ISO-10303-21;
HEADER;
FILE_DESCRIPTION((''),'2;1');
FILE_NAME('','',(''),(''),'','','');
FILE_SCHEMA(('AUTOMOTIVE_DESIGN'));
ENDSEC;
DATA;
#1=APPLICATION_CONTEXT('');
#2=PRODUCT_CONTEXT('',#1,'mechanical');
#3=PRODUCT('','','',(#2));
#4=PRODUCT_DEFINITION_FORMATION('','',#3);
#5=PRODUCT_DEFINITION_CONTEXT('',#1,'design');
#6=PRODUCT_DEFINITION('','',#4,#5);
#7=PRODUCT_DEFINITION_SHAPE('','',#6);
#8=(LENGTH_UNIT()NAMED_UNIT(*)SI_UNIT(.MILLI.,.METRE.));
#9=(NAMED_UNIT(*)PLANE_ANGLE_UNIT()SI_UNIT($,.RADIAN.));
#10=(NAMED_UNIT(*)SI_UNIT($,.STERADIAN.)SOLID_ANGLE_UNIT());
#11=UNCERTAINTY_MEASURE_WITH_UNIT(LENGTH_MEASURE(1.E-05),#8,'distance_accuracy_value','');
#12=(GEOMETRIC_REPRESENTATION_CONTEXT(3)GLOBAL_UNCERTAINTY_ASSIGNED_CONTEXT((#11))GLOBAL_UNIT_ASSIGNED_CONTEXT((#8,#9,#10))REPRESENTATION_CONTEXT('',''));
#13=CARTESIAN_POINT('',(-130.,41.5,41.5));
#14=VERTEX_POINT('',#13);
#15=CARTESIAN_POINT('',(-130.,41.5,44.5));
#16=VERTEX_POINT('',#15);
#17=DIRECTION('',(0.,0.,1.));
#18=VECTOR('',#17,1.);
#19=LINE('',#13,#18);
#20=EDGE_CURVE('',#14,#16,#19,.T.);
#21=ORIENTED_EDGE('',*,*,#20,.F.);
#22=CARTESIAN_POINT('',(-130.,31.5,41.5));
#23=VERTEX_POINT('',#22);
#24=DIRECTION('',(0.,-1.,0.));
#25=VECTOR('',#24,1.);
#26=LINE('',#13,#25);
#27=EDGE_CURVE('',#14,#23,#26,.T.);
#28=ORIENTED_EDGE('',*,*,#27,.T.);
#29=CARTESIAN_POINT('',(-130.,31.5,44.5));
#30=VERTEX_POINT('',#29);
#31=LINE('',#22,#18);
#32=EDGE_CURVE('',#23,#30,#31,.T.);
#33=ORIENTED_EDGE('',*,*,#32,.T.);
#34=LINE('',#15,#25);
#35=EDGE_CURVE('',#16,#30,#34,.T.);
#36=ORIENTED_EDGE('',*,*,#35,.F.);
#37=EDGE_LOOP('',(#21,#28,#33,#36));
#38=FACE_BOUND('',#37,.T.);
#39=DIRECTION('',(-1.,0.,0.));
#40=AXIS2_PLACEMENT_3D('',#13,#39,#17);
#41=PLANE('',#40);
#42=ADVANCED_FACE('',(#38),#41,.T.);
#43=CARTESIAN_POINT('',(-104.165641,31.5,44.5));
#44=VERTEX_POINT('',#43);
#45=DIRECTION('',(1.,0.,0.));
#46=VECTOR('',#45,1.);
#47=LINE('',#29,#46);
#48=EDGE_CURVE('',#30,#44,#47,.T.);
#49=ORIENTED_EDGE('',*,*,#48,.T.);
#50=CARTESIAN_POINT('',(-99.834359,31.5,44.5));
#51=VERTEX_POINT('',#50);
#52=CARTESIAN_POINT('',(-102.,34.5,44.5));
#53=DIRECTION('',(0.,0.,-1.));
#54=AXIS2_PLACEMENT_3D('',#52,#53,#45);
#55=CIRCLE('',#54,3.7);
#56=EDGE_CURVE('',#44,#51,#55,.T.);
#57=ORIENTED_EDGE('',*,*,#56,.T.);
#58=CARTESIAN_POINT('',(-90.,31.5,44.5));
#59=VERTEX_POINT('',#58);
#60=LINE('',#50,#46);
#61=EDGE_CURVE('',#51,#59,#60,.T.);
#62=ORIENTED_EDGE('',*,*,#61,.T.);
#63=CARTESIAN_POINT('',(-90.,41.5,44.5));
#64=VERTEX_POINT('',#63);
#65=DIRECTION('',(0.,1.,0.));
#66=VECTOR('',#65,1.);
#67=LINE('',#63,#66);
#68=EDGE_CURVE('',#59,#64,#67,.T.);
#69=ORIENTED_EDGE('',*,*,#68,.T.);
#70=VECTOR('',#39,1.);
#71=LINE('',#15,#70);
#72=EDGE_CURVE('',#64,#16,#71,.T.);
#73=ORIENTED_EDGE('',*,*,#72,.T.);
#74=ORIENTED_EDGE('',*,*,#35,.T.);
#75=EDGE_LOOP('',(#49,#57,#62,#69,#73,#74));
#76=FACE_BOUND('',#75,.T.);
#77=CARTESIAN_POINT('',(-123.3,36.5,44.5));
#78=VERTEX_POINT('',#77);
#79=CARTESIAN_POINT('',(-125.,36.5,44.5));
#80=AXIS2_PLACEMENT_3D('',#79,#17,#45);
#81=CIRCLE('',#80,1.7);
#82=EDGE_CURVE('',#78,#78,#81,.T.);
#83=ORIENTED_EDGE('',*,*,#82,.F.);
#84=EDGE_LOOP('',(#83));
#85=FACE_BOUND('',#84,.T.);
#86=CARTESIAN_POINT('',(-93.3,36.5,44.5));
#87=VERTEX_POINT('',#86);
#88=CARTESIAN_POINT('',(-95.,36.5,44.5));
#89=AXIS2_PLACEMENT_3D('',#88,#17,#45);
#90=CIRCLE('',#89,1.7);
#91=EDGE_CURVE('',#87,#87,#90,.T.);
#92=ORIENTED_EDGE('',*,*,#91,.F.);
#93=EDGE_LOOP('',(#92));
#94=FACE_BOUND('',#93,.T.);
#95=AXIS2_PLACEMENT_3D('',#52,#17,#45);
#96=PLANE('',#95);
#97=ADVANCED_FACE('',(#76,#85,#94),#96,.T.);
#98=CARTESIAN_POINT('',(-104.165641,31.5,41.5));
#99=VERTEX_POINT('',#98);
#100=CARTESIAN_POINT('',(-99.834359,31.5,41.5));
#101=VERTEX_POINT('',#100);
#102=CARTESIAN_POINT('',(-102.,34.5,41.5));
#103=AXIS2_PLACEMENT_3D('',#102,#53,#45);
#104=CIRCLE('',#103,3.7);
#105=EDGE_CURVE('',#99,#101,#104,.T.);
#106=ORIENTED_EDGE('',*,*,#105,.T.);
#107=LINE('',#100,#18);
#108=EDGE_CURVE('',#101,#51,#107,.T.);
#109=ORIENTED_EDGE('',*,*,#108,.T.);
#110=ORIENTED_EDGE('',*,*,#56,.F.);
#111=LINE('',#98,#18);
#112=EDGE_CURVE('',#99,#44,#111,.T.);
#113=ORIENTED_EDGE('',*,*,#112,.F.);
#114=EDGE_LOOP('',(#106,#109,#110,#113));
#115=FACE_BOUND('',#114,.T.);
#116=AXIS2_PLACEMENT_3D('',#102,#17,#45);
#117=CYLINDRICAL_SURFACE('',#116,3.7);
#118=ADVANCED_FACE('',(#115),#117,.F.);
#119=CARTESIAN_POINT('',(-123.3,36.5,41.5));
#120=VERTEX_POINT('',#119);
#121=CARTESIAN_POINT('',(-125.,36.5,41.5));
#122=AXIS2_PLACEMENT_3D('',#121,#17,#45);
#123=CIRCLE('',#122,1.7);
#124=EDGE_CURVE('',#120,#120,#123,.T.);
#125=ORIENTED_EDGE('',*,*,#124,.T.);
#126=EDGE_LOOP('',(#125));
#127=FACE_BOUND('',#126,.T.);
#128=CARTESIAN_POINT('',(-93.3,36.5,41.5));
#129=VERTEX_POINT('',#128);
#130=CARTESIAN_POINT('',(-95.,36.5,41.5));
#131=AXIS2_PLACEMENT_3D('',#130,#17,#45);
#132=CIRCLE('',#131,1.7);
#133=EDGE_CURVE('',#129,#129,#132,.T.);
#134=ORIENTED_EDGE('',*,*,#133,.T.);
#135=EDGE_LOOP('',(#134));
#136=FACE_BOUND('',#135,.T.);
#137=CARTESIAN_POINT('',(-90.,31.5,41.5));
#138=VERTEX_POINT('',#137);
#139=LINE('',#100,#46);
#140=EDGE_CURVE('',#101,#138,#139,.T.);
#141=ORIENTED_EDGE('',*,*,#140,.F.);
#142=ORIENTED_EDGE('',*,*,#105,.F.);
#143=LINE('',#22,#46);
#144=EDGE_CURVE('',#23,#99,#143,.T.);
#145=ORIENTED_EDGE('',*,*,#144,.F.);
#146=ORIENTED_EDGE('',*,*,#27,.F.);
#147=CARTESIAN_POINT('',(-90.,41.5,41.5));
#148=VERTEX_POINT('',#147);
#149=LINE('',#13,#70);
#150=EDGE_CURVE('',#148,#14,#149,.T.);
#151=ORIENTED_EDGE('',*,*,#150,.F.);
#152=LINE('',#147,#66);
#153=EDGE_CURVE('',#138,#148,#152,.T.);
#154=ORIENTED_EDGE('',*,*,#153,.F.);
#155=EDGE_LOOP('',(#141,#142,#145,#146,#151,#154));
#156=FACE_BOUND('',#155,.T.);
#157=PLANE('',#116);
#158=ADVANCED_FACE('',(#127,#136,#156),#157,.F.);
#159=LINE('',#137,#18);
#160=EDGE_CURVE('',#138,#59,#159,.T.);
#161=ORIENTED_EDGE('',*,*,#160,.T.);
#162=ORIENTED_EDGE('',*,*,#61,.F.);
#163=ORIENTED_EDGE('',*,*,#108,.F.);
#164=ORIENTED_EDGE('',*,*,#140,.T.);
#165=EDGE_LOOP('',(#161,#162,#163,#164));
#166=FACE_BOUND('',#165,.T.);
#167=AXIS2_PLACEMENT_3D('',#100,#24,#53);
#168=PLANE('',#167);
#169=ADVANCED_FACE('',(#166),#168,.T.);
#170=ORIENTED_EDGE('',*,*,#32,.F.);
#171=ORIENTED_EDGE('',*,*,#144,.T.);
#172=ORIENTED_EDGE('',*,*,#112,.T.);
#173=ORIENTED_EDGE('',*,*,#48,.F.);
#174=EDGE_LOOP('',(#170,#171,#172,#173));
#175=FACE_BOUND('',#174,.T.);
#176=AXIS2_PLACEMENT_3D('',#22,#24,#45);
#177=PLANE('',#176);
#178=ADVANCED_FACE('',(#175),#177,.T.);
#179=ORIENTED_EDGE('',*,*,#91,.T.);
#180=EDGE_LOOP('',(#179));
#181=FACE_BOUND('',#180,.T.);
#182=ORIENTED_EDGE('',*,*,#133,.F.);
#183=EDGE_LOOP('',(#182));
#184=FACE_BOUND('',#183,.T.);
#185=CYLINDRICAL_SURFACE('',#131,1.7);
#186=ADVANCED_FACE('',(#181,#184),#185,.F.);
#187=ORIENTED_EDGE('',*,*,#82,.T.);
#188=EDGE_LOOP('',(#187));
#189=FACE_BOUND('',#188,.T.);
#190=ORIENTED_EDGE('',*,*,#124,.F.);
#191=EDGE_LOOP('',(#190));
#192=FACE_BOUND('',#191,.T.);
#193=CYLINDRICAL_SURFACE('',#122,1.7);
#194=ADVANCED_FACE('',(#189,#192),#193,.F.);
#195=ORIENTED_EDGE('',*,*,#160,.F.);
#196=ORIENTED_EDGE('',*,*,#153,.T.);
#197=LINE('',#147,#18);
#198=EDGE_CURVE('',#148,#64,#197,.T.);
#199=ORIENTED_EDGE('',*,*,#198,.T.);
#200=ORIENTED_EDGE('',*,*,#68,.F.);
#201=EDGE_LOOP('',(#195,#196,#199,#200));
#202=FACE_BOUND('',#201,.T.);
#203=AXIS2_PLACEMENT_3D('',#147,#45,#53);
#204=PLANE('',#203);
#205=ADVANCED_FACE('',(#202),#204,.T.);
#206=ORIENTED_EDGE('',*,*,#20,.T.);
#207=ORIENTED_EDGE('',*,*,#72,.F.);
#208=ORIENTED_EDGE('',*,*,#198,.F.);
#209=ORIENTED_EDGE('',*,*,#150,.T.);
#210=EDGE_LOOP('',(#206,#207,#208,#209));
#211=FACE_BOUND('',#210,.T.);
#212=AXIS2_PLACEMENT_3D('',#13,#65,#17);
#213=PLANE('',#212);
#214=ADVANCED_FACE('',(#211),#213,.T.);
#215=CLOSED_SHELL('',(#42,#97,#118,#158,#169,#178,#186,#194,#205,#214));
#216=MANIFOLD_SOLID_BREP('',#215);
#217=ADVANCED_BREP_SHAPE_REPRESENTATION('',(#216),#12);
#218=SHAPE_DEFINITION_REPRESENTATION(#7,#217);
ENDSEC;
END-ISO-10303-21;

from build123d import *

# Parameters (mm, degrees)
MAIN_PROFILE_SKETCH_R = 1.7
MAIN_EXTRUSION_DEPTH  = 3


with BuildPart() as part:
    # Main Profile Sketch → Main Extrusion (new body)
    with BuildSketch(Plane.XY.offset(44.5)):
        with BuildLine():
            Line((-130, 41.5), (-90, 41.5))
            Line((-90, 41.5), (-90, 31.5))
            Line((-90, 31.5), (-99.834359217, 31.5))
            ThreePointArc((-99.834359217, 31.5), (-102, 38.2), (-104.165640783, 31.5))
            Line((-104.165640783, 31.5), (-130, 31.5))
            Line((-130, 31.5), (-130, 41.5))
        make_face()
        with Locations((-125, 36.5)):
            Circle(MAIN_PROFILE_SKETCH_R, mode=Mode.SUBTRACT)
        with Locations((-95, 36.5)):
            Circle(MAIN_PROFILE_SKETCH_R, mode=Mode.SUBTRACT)
    extrude(amount=-MAIN_EXTRUSION_DEPTH)


solid = part.part
